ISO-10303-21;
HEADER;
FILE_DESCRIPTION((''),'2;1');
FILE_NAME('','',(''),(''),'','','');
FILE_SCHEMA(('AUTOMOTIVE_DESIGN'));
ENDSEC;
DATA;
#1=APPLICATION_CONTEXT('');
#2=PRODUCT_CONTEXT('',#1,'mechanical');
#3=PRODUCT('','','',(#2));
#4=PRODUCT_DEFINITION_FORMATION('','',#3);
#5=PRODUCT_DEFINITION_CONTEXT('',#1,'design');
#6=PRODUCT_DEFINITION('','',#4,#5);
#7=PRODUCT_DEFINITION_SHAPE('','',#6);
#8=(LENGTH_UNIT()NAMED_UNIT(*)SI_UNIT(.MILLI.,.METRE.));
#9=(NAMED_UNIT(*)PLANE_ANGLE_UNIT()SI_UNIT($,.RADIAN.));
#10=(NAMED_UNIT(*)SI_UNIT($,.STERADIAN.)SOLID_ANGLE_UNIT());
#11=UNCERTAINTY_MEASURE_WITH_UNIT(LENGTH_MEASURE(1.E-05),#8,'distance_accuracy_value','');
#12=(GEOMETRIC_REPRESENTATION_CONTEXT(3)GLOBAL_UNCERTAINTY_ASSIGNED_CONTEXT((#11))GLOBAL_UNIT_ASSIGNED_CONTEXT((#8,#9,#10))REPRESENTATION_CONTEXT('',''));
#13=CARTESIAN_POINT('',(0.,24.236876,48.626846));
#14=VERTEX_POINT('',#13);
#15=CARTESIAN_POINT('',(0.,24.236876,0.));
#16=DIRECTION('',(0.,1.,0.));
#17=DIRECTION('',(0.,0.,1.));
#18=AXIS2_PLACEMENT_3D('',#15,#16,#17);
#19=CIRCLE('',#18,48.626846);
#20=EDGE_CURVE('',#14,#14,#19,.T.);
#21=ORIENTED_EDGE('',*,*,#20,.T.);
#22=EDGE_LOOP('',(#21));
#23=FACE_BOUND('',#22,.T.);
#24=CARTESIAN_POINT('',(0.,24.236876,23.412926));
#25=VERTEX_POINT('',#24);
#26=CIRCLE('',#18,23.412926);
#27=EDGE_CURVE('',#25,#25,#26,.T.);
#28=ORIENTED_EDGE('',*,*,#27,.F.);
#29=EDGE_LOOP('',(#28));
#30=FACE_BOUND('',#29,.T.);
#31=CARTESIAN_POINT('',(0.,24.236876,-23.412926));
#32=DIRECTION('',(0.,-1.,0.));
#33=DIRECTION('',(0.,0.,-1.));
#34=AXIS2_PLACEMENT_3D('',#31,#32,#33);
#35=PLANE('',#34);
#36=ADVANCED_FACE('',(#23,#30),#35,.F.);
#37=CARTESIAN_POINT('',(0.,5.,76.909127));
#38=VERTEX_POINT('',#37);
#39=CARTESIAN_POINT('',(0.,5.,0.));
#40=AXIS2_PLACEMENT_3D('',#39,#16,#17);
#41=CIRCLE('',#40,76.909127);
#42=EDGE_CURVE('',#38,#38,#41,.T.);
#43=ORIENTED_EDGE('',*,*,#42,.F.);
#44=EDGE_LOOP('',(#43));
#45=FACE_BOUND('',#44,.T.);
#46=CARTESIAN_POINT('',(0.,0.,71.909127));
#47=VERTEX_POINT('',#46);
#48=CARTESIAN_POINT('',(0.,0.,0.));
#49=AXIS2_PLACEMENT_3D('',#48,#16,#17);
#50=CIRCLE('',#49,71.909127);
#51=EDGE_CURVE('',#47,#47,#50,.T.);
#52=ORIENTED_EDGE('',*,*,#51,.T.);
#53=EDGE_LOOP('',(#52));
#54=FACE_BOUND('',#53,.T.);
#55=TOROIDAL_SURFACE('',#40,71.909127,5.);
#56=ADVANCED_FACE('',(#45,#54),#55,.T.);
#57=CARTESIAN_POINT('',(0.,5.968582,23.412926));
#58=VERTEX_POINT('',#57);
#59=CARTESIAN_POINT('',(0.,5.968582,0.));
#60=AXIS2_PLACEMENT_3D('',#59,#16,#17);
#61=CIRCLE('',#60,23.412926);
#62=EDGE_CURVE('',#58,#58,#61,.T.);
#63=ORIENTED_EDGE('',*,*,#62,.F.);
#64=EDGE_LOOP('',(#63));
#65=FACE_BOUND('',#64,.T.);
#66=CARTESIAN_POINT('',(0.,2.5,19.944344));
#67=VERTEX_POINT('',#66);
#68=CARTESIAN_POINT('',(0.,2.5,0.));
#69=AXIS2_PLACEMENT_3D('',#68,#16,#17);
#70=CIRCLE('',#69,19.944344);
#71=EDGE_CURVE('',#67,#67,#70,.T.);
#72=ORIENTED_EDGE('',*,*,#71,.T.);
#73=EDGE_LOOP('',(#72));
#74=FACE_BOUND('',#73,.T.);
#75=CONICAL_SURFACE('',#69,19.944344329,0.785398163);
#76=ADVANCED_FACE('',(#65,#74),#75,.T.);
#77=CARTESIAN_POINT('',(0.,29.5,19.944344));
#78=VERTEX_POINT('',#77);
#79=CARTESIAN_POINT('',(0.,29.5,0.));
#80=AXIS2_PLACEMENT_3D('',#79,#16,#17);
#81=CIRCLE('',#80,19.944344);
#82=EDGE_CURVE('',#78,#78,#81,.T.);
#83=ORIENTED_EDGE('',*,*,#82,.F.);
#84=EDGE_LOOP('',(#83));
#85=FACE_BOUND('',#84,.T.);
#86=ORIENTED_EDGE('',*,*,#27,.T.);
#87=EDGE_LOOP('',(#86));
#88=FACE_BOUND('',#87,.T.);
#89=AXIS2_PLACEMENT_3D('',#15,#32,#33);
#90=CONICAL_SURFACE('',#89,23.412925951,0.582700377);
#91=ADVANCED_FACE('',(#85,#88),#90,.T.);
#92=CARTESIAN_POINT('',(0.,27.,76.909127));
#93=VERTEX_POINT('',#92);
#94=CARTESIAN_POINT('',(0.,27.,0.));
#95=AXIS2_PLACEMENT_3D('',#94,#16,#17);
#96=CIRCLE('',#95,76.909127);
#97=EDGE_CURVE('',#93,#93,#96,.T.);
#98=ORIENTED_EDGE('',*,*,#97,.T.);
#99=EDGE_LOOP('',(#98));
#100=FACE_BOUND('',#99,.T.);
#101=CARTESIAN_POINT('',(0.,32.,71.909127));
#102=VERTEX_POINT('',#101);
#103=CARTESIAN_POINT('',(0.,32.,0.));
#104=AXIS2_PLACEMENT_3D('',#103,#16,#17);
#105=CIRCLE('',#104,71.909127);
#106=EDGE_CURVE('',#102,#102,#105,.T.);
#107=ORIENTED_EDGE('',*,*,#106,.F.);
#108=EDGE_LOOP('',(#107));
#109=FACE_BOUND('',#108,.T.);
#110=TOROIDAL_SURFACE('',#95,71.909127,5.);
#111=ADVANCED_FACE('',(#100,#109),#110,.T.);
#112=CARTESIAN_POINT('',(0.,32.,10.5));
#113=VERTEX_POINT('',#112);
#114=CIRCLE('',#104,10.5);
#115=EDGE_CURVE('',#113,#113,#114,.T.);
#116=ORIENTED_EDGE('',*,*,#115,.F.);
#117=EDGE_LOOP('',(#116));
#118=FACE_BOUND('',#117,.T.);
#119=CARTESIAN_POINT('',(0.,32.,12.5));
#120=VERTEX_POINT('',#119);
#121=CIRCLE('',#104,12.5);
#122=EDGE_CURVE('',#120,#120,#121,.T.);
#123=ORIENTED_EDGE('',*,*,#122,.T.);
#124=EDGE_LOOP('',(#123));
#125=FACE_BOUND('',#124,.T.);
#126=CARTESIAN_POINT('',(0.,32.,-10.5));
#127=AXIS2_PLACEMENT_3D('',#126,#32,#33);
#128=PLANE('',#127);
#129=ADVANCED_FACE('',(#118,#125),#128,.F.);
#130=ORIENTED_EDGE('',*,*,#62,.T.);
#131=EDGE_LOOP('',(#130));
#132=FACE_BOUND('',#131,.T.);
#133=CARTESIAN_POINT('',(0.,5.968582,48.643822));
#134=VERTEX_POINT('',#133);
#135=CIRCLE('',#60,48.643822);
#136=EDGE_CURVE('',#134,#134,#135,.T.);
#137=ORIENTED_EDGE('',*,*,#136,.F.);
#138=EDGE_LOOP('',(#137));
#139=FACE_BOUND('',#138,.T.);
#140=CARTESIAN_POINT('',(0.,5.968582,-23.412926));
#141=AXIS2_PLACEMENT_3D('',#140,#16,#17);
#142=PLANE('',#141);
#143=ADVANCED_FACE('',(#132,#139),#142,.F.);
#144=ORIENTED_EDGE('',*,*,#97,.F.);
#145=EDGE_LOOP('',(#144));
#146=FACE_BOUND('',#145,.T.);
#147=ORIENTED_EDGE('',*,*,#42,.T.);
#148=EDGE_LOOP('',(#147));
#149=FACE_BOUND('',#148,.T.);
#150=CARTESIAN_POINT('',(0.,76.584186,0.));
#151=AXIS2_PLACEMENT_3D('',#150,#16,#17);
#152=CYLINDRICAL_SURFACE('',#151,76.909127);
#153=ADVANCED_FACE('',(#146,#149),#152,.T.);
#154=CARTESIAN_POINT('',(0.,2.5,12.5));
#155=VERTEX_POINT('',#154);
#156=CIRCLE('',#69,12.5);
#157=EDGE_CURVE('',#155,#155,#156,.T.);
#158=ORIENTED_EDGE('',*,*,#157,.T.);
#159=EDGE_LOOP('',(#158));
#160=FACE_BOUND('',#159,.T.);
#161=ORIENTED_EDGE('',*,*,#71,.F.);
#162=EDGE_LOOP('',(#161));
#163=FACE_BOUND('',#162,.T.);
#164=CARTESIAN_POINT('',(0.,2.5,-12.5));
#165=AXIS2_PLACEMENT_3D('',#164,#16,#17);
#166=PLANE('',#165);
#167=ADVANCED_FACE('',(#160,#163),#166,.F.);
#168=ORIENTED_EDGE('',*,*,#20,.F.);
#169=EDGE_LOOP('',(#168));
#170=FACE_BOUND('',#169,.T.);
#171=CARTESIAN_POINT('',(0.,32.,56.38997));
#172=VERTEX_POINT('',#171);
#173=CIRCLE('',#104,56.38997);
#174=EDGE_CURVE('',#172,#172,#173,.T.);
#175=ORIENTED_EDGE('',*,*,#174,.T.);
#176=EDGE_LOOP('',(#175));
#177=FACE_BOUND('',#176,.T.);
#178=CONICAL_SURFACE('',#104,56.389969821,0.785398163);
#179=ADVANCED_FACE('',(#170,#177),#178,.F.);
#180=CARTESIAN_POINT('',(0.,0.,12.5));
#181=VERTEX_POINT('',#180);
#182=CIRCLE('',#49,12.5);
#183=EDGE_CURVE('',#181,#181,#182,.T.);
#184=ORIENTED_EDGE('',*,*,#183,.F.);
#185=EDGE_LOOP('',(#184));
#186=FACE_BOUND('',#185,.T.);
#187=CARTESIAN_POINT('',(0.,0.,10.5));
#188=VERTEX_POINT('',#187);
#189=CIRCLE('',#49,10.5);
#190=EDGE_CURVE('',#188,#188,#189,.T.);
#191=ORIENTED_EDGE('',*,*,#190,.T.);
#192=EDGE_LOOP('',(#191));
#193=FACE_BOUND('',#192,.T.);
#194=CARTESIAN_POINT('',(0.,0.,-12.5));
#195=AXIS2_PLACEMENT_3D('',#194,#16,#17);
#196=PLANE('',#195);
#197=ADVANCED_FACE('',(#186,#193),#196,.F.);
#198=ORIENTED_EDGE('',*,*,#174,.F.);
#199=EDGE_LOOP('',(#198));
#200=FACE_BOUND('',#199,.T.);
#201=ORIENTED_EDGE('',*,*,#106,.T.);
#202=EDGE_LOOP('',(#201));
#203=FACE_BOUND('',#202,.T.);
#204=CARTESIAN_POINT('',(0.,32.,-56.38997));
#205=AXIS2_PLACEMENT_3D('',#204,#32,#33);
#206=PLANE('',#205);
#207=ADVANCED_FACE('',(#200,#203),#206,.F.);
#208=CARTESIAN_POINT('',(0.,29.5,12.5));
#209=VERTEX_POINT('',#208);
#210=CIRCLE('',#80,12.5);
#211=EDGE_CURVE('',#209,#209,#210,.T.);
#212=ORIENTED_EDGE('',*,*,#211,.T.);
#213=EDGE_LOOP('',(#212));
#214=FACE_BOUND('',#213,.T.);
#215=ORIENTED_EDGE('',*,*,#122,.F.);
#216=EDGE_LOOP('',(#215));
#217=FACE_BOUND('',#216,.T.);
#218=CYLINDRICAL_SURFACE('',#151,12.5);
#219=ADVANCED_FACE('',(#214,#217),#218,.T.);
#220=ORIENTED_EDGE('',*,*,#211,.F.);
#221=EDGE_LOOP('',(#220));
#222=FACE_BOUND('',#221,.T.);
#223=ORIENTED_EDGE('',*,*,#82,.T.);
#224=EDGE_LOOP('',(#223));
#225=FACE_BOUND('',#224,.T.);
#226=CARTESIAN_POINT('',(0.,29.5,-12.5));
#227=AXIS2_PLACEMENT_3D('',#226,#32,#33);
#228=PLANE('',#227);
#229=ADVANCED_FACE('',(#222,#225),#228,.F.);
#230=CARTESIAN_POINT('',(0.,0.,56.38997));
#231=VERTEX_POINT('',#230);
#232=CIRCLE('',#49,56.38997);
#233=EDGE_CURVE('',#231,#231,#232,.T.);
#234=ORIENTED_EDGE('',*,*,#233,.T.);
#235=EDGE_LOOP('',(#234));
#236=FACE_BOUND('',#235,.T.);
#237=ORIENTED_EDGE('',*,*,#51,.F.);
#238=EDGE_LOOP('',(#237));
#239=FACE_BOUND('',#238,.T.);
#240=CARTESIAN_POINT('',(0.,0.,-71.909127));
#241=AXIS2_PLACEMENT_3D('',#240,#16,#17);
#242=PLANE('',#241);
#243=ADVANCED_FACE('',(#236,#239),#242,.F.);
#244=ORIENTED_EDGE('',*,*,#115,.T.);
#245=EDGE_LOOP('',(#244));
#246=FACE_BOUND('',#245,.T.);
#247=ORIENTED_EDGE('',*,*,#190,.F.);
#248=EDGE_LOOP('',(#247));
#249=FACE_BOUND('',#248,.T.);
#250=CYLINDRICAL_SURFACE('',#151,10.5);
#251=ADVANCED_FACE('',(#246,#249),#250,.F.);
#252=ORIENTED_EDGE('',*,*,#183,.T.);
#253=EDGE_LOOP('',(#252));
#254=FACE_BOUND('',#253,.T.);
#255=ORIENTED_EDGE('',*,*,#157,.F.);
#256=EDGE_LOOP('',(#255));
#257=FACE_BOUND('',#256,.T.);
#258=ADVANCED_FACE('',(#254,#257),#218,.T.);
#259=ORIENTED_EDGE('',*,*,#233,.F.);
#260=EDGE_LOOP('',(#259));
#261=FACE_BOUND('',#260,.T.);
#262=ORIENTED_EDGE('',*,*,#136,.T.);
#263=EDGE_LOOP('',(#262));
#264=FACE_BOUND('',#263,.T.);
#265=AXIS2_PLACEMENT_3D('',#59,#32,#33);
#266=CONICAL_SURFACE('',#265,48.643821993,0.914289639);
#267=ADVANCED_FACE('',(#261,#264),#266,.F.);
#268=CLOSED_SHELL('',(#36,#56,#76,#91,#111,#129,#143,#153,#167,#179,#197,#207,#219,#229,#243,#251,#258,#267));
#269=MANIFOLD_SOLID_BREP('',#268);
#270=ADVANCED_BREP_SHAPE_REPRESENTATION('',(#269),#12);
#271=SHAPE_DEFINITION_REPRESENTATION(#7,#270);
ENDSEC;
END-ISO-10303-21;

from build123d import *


with BuildPart() as part:
    # Эскиз2 → Повернуть1 (revolve)
    with BuildSketch(Plane(origin=(0, 0, 0), x_dir=(0, 0, -1), z_dir=(1, 0, 0))):
        with BuildLine():
            Line((10.5, 0), (10.5, 32))
            Line((10.5, 32), (12.5, 32))
            Line((12.5, 32), (12.5, 29.5))
            Line((12.5, 29.5), (19.944344329, 29.5))
            Line((19.944344329, 29.5), (23.412925951, 24.236876385))
            Line((23.412925951, 24.236876385), (48.626846206, 24.236876385))
            Line((48.626846206, 24.236876385), (56.389969821, 32))
            Line((56.389969821, 32), (71.909127128, 32))
            ThreePointArc((71.909127128, 32), (75.444661033, 30.535533906), (76.909127128, 27))
            Line((76.909127128, 27), (76.909127128, 5))
            ThreePointArc((76.909127128, 5), (75.444661033, 1.464466094), (71.909127128, 0))
            Line((71.909127128, 0), (56.389969821, 0))
            Line((56.389969821, 0), (48.643821993, 5.968581622))
            Line((48.643821993, 5.968581622), (23.412925951, 5.968581622))
            Line((23.412925951, 5.968581622), (19.944344329, 2.5))
            Line((19.944344329, 2.5), (12.5, 2.5))
            Line((12.5, 2.5), (12.5, 0))
            Line((12.5, 0), (10.5, 0))
        make_face()
    revolve(axis=Axis((0, 76.584186447, 0), (0, -1, 0)))


solid = part.part
